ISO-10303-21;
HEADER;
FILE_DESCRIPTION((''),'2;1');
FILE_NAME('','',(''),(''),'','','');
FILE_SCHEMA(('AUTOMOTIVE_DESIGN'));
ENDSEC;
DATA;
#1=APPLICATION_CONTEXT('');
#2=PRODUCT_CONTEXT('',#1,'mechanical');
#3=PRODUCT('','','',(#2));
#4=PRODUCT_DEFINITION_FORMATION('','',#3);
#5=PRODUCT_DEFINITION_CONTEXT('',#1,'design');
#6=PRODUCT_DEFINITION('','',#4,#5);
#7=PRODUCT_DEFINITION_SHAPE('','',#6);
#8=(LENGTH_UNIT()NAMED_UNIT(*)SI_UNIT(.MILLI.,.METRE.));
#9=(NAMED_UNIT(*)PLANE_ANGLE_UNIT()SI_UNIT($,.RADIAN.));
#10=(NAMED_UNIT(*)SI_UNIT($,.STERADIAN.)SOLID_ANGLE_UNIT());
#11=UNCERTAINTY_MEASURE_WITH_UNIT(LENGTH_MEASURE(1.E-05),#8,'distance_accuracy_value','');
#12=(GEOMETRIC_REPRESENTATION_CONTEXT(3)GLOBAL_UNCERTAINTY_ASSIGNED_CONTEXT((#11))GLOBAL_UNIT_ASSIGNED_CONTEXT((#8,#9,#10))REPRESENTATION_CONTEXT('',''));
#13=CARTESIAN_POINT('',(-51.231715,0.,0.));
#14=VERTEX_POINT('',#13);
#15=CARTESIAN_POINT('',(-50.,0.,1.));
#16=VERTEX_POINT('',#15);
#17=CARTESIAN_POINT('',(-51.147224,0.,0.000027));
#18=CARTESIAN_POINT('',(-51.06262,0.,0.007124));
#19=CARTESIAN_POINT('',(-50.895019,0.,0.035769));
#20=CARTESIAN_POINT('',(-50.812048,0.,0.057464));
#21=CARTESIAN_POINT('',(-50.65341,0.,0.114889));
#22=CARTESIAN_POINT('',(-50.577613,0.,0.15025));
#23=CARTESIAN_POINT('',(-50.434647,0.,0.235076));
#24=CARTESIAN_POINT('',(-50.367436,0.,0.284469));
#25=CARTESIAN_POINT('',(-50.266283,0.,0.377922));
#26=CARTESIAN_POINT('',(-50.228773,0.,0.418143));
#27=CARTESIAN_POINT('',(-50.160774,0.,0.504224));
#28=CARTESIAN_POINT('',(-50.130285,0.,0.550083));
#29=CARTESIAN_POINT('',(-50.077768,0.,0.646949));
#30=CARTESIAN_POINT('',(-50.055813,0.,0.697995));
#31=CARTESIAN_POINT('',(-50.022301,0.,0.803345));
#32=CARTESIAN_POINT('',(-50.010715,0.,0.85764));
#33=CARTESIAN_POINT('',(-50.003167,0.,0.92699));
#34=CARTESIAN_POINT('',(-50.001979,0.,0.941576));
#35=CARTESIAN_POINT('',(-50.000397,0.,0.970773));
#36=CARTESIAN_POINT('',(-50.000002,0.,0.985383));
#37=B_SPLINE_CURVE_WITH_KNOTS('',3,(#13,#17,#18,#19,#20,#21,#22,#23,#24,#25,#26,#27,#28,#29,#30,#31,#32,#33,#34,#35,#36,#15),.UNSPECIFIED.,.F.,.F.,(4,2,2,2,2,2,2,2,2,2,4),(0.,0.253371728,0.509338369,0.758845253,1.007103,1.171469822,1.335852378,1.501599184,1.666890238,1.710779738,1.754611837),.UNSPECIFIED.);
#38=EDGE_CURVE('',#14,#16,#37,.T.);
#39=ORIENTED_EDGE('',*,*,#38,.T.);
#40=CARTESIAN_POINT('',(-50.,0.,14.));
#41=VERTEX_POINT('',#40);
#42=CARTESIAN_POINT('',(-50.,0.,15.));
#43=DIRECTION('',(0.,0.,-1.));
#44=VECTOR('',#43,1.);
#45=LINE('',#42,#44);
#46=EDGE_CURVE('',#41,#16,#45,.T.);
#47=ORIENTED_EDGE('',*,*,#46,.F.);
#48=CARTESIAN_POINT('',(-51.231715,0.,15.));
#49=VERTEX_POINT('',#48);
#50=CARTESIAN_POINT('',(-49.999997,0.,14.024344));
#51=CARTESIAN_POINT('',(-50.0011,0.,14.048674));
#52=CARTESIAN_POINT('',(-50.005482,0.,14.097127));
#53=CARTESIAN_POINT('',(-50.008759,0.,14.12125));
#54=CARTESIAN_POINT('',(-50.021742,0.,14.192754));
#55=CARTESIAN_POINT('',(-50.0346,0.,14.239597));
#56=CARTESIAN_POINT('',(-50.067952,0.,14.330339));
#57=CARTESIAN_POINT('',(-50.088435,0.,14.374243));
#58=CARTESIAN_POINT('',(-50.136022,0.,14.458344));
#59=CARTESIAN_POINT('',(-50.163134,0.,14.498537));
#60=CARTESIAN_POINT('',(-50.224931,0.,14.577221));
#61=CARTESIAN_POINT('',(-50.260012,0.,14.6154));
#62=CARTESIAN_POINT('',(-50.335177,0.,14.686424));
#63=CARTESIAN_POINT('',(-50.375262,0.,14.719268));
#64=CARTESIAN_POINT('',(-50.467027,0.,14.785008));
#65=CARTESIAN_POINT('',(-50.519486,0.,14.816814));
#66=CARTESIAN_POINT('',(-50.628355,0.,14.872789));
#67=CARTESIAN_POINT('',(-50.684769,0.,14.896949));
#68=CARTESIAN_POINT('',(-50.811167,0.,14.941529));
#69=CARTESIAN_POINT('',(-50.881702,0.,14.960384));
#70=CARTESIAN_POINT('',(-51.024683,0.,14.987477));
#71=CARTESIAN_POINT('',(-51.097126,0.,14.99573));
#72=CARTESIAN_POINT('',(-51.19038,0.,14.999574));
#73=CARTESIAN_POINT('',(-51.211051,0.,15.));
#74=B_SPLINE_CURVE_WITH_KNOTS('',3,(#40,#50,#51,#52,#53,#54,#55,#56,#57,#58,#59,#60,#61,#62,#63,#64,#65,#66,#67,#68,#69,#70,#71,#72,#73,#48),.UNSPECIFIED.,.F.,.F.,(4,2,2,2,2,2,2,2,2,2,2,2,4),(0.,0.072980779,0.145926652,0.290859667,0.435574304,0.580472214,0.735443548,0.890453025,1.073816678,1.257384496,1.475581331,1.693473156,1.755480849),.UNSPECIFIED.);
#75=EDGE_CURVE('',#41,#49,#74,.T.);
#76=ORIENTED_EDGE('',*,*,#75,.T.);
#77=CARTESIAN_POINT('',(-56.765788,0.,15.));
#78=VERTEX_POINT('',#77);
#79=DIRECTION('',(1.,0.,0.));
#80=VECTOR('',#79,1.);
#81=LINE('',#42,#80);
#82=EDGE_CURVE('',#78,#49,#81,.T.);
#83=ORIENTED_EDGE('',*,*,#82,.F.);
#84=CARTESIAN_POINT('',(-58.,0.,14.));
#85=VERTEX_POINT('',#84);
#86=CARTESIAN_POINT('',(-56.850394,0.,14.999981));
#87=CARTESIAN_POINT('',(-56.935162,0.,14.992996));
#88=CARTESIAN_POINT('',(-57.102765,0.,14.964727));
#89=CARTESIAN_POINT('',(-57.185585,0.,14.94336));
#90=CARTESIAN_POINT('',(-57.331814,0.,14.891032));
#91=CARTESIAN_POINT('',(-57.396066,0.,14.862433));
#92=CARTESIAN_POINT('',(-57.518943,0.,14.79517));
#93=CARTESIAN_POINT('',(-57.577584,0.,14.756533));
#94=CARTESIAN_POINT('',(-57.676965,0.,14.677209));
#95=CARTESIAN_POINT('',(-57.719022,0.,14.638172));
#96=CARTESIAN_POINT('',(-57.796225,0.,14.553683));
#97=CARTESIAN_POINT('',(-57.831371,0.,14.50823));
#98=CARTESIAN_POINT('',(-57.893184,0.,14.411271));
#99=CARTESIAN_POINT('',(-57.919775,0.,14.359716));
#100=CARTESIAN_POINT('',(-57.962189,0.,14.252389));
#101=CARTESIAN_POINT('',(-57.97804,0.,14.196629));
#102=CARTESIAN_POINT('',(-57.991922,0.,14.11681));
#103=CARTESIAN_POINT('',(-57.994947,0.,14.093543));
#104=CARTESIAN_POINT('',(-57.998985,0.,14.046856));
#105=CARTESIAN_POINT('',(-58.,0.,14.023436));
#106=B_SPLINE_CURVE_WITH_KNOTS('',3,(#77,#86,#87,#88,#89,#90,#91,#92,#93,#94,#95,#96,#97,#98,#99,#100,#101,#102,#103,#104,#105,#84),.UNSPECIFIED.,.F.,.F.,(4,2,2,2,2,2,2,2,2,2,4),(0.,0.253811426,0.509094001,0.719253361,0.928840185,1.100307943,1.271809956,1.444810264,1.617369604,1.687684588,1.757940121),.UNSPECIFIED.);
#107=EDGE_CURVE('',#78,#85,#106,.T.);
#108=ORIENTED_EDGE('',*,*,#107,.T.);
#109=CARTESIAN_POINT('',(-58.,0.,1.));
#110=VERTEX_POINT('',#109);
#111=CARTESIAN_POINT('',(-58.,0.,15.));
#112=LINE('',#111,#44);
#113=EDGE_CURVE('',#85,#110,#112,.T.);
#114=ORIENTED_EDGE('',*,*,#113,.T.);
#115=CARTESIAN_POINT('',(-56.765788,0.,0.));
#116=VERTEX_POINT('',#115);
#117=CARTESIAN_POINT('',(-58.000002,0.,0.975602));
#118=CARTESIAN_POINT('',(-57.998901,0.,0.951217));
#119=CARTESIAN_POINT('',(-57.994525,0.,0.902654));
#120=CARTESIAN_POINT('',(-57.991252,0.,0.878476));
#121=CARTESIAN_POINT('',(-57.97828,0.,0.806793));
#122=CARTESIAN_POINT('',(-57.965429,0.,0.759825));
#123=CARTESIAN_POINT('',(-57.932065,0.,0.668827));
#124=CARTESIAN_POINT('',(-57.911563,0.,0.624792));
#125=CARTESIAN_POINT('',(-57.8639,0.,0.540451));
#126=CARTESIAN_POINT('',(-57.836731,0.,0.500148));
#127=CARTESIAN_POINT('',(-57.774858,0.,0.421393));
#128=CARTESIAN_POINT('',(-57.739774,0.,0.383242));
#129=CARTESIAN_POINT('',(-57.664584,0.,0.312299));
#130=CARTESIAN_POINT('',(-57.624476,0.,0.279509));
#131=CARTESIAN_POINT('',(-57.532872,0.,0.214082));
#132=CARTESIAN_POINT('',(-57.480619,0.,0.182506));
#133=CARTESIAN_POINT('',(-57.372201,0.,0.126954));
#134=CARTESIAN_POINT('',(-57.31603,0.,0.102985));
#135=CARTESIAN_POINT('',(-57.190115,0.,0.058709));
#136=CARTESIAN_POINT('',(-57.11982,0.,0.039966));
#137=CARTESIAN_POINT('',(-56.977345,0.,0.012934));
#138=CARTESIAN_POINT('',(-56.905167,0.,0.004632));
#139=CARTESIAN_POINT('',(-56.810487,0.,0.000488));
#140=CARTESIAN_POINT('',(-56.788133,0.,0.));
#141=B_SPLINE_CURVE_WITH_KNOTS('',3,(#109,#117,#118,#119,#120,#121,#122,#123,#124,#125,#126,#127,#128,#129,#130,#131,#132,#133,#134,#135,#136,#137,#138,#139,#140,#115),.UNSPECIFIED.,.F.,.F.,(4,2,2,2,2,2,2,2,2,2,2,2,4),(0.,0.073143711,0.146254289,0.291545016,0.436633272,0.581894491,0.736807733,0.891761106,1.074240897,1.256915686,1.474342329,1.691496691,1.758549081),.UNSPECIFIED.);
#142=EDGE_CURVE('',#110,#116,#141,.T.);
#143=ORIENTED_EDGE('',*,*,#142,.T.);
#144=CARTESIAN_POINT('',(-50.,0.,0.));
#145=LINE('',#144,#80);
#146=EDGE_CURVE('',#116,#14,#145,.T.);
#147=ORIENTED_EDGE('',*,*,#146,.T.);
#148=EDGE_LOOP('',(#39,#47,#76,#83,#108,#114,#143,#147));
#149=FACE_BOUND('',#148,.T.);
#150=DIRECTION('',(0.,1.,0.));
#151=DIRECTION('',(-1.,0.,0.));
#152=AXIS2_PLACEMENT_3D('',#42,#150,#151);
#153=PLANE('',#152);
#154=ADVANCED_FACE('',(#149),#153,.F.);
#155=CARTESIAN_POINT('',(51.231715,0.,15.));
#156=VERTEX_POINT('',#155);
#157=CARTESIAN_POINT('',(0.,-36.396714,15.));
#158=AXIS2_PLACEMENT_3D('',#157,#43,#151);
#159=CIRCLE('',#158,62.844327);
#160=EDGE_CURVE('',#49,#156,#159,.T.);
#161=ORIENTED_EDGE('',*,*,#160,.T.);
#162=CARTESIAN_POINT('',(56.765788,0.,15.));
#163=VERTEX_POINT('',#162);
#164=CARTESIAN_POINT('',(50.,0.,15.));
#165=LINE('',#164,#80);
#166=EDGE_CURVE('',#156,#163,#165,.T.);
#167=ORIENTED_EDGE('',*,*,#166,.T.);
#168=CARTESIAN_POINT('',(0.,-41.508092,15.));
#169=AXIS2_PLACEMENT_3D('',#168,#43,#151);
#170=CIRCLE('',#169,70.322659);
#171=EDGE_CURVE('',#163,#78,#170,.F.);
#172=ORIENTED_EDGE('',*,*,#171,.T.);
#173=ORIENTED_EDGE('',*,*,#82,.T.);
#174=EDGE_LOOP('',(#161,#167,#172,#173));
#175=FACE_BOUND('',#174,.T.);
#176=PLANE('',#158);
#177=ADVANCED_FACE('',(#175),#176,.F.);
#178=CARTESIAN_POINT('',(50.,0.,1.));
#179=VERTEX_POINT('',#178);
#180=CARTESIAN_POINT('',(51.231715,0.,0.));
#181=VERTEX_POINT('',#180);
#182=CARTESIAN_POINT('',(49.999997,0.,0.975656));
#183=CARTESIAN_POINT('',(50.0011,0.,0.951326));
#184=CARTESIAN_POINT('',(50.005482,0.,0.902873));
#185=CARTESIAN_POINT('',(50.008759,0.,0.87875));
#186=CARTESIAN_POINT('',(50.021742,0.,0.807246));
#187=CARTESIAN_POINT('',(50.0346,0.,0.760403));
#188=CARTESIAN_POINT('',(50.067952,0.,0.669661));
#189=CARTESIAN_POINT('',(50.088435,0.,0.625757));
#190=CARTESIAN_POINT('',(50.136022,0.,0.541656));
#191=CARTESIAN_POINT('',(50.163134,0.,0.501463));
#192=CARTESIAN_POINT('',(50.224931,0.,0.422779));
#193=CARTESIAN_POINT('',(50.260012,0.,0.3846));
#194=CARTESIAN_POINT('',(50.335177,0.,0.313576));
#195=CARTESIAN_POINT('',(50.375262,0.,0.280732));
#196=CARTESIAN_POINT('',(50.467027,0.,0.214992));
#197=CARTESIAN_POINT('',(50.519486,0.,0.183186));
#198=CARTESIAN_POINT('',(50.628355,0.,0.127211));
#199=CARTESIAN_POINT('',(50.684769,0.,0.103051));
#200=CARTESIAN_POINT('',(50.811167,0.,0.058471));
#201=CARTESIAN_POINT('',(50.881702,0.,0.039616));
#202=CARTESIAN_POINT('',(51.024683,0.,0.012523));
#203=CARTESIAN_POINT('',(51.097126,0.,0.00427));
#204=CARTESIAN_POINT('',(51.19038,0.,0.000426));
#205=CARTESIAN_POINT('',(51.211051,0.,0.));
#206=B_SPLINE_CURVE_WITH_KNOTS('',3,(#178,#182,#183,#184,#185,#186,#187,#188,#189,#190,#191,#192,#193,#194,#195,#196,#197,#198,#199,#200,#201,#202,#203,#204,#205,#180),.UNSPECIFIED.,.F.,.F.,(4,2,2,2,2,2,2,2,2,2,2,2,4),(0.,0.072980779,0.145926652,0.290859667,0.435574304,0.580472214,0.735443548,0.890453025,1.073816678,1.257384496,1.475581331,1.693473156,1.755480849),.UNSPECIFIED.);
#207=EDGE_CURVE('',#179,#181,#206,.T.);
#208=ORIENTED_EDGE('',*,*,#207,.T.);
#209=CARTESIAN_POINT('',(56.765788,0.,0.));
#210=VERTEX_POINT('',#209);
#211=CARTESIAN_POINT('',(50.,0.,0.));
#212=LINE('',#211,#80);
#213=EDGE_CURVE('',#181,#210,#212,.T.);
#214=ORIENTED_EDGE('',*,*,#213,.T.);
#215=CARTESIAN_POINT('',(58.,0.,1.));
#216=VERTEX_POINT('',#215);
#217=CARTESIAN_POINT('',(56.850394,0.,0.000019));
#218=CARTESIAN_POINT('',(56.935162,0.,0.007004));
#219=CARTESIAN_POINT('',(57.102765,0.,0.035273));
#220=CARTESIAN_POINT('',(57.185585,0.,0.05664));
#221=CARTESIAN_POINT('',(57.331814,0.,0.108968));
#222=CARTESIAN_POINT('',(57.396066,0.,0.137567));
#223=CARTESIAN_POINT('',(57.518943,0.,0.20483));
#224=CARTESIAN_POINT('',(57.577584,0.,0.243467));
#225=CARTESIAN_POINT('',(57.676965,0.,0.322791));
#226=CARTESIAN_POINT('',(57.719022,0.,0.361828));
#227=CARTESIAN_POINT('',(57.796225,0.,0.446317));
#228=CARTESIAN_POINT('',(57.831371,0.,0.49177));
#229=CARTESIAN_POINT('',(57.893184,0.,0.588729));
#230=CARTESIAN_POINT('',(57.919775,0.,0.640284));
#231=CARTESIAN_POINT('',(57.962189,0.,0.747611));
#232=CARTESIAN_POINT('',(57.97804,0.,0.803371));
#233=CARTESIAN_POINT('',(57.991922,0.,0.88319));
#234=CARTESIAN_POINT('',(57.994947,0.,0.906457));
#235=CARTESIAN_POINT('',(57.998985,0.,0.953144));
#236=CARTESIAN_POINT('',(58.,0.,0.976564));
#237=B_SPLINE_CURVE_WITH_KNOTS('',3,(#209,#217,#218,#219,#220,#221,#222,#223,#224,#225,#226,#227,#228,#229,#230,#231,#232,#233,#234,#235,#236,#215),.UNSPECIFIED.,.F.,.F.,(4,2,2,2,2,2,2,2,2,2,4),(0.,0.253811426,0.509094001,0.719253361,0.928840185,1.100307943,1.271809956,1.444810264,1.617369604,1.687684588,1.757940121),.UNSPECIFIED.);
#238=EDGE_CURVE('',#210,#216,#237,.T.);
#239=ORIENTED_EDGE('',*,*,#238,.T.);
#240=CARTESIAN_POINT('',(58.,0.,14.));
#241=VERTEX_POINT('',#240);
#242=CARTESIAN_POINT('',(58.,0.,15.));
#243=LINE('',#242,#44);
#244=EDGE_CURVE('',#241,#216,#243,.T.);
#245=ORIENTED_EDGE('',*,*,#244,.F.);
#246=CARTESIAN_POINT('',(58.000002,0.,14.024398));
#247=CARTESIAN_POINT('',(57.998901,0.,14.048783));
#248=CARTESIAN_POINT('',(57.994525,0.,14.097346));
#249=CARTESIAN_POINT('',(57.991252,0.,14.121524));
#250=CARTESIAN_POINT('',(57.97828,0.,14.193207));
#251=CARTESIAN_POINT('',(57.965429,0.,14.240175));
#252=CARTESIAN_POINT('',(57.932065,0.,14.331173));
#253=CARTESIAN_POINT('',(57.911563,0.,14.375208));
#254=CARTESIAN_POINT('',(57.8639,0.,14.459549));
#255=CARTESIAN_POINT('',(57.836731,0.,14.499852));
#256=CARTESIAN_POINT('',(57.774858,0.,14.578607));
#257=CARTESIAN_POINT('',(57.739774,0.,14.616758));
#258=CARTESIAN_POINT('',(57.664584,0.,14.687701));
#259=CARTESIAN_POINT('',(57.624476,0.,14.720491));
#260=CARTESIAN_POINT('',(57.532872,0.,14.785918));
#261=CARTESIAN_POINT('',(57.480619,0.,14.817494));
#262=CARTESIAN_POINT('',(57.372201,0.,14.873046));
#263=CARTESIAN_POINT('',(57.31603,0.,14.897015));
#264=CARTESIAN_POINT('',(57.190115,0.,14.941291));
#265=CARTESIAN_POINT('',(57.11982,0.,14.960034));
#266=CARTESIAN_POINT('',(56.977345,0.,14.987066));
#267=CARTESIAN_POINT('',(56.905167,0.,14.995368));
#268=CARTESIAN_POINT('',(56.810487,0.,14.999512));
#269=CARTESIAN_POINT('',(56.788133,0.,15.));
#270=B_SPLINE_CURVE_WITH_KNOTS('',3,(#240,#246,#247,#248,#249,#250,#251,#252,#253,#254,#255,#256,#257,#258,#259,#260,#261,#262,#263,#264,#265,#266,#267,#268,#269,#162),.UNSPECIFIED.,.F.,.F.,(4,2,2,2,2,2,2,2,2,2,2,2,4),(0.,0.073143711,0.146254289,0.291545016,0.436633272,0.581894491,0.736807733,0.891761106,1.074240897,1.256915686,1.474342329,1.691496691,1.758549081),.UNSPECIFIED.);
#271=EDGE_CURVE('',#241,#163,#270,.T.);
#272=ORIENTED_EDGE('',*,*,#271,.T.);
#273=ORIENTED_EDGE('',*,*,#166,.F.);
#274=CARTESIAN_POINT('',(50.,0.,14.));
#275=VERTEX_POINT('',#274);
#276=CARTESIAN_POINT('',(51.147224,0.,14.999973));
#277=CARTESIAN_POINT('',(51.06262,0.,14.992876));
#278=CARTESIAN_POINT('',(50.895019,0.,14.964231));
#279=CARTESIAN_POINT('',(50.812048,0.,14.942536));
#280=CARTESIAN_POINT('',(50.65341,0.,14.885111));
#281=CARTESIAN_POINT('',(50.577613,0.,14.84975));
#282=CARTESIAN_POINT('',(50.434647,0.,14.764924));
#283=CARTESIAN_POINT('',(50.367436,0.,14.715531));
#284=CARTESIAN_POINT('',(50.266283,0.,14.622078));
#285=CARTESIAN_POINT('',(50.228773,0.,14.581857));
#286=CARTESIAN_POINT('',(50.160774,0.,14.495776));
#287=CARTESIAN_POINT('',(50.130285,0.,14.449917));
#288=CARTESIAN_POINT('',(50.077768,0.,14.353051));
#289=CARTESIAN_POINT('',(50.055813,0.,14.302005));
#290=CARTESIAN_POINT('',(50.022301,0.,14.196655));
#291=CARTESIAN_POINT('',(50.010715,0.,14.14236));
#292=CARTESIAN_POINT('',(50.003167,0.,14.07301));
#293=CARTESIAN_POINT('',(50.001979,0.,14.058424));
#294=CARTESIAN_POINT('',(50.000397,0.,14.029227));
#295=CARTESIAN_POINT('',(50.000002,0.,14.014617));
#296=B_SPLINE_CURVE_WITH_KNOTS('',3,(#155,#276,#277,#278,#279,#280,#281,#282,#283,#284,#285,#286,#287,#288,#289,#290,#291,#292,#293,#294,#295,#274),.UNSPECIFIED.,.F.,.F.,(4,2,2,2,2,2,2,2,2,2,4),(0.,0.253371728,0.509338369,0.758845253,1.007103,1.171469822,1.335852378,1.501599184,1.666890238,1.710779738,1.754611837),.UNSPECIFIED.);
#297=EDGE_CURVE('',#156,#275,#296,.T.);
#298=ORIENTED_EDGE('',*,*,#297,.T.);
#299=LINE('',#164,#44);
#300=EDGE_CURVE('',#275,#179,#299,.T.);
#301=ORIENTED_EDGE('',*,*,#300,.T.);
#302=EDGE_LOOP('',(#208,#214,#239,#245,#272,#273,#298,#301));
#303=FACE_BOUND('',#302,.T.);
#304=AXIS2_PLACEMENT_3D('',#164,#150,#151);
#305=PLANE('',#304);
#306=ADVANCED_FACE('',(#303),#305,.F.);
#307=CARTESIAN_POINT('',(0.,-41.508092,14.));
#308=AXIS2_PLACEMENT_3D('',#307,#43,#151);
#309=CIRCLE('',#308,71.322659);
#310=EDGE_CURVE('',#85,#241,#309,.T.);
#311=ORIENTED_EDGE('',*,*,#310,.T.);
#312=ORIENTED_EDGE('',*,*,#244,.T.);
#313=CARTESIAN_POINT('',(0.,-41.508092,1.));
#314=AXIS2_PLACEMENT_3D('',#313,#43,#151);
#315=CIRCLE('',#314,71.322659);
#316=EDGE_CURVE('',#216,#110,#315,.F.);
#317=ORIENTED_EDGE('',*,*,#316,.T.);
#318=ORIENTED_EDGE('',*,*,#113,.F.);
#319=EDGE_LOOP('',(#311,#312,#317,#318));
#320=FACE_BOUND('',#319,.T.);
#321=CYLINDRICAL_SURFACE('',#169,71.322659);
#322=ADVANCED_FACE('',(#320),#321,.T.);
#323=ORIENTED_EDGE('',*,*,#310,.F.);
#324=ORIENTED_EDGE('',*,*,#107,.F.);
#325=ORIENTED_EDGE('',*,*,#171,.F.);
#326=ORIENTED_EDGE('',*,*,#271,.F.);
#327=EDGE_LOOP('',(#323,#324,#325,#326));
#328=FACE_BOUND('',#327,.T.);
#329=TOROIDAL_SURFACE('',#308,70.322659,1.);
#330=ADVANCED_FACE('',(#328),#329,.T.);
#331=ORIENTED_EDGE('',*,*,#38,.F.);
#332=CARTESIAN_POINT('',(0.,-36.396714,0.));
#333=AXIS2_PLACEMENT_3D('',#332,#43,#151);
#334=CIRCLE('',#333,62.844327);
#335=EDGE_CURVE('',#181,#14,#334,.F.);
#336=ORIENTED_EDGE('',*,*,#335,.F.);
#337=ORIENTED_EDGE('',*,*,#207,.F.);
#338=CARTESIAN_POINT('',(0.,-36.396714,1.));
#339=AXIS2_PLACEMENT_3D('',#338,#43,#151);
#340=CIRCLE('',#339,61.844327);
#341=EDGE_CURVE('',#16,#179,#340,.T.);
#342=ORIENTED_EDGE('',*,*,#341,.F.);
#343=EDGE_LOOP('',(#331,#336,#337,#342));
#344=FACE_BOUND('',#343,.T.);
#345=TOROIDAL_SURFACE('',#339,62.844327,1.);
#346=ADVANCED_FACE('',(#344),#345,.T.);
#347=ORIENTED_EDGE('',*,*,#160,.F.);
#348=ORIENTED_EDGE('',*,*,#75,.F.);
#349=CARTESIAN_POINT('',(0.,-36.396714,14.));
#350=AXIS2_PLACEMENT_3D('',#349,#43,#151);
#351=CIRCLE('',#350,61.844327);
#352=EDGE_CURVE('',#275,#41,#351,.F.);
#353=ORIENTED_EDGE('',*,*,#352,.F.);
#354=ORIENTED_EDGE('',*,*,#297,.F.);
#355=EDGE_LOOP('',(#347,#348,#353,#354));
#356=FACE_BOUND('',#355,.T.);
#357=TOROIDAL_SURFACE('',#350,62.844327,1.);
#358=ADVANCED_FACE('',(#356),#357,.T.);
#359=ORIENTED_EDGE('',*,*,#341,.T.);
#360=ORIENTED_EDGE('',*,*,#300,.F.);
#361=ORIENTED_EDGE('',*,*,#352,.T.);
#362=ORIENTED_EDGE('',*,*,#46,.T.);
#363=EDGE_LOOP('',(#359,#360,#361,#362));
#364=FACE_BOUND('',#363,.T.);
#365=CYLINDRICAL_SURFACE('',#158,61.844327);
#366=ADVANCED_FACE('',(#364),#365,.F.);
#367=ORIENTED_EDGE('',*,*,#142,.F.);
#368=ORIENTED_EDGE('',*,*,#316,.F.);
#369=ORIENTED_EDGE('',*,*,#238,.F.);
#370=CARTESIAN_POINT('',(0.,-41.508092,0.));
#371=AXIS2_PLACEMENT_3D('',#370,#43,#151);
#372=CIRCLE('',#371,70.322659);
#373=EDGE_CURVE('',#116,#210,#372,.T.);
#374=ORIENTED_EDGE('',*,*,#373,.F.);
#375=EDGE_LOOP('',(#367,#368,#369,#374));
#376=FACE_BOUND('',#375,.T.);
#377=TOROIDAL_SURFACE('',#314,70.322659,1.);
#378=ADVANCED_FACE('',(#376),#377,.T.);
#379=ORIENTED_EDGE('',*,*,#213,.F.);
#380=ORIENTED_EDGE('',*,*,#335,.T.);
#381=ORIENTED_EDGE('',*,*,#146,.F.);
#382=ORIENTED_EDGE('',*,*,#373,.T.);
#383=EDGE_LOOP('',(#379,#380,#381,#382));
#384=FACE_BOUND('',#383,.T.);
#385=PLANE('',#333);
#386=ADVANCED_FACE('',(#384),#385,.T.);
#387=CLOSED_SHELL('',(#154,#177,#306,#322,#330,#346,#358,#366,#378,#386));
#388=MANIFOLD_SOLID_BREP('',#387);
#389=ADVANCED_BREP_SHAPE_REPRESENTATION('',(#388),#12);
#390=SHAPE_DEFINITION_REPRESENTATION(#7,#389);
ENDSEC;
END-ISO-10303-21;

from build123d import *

# Parameters (mm, degrees)
BOSS_EXTRUDE1_DEPTH = 15
FILLET1_R           = 1


with BuildPart() as part:
    # Sketch1 → Boss-Extrude1 (new body)
    with BuildSketch(Plane.XY):
        with BuildLine():
            Line((-50, 0), (-58, 0))
            ThreePointArc((-58, 0), (0, 29.814567302), (58, 0))
            Line((58, 0), (50, 0))
            ThreePointArc((50, 0), (0, 25.447613222), (-50, 0))
        make_face()
    extrude(amount=BOSS_EXTRUDE1_DEPTH)

    # Fillet1
    fillet1_edges = [part.edges().sort_by_distance(p)[0] for p in [
        (0, 29.814567302, 15),
        (0, 25.447613222, 15),
        (0, 29.814567302, 0),
        (0, 25.447613222, 0),
    ]]
    fillet(fillet1_edges, radius=FILLET1_R)


solid = part.part
